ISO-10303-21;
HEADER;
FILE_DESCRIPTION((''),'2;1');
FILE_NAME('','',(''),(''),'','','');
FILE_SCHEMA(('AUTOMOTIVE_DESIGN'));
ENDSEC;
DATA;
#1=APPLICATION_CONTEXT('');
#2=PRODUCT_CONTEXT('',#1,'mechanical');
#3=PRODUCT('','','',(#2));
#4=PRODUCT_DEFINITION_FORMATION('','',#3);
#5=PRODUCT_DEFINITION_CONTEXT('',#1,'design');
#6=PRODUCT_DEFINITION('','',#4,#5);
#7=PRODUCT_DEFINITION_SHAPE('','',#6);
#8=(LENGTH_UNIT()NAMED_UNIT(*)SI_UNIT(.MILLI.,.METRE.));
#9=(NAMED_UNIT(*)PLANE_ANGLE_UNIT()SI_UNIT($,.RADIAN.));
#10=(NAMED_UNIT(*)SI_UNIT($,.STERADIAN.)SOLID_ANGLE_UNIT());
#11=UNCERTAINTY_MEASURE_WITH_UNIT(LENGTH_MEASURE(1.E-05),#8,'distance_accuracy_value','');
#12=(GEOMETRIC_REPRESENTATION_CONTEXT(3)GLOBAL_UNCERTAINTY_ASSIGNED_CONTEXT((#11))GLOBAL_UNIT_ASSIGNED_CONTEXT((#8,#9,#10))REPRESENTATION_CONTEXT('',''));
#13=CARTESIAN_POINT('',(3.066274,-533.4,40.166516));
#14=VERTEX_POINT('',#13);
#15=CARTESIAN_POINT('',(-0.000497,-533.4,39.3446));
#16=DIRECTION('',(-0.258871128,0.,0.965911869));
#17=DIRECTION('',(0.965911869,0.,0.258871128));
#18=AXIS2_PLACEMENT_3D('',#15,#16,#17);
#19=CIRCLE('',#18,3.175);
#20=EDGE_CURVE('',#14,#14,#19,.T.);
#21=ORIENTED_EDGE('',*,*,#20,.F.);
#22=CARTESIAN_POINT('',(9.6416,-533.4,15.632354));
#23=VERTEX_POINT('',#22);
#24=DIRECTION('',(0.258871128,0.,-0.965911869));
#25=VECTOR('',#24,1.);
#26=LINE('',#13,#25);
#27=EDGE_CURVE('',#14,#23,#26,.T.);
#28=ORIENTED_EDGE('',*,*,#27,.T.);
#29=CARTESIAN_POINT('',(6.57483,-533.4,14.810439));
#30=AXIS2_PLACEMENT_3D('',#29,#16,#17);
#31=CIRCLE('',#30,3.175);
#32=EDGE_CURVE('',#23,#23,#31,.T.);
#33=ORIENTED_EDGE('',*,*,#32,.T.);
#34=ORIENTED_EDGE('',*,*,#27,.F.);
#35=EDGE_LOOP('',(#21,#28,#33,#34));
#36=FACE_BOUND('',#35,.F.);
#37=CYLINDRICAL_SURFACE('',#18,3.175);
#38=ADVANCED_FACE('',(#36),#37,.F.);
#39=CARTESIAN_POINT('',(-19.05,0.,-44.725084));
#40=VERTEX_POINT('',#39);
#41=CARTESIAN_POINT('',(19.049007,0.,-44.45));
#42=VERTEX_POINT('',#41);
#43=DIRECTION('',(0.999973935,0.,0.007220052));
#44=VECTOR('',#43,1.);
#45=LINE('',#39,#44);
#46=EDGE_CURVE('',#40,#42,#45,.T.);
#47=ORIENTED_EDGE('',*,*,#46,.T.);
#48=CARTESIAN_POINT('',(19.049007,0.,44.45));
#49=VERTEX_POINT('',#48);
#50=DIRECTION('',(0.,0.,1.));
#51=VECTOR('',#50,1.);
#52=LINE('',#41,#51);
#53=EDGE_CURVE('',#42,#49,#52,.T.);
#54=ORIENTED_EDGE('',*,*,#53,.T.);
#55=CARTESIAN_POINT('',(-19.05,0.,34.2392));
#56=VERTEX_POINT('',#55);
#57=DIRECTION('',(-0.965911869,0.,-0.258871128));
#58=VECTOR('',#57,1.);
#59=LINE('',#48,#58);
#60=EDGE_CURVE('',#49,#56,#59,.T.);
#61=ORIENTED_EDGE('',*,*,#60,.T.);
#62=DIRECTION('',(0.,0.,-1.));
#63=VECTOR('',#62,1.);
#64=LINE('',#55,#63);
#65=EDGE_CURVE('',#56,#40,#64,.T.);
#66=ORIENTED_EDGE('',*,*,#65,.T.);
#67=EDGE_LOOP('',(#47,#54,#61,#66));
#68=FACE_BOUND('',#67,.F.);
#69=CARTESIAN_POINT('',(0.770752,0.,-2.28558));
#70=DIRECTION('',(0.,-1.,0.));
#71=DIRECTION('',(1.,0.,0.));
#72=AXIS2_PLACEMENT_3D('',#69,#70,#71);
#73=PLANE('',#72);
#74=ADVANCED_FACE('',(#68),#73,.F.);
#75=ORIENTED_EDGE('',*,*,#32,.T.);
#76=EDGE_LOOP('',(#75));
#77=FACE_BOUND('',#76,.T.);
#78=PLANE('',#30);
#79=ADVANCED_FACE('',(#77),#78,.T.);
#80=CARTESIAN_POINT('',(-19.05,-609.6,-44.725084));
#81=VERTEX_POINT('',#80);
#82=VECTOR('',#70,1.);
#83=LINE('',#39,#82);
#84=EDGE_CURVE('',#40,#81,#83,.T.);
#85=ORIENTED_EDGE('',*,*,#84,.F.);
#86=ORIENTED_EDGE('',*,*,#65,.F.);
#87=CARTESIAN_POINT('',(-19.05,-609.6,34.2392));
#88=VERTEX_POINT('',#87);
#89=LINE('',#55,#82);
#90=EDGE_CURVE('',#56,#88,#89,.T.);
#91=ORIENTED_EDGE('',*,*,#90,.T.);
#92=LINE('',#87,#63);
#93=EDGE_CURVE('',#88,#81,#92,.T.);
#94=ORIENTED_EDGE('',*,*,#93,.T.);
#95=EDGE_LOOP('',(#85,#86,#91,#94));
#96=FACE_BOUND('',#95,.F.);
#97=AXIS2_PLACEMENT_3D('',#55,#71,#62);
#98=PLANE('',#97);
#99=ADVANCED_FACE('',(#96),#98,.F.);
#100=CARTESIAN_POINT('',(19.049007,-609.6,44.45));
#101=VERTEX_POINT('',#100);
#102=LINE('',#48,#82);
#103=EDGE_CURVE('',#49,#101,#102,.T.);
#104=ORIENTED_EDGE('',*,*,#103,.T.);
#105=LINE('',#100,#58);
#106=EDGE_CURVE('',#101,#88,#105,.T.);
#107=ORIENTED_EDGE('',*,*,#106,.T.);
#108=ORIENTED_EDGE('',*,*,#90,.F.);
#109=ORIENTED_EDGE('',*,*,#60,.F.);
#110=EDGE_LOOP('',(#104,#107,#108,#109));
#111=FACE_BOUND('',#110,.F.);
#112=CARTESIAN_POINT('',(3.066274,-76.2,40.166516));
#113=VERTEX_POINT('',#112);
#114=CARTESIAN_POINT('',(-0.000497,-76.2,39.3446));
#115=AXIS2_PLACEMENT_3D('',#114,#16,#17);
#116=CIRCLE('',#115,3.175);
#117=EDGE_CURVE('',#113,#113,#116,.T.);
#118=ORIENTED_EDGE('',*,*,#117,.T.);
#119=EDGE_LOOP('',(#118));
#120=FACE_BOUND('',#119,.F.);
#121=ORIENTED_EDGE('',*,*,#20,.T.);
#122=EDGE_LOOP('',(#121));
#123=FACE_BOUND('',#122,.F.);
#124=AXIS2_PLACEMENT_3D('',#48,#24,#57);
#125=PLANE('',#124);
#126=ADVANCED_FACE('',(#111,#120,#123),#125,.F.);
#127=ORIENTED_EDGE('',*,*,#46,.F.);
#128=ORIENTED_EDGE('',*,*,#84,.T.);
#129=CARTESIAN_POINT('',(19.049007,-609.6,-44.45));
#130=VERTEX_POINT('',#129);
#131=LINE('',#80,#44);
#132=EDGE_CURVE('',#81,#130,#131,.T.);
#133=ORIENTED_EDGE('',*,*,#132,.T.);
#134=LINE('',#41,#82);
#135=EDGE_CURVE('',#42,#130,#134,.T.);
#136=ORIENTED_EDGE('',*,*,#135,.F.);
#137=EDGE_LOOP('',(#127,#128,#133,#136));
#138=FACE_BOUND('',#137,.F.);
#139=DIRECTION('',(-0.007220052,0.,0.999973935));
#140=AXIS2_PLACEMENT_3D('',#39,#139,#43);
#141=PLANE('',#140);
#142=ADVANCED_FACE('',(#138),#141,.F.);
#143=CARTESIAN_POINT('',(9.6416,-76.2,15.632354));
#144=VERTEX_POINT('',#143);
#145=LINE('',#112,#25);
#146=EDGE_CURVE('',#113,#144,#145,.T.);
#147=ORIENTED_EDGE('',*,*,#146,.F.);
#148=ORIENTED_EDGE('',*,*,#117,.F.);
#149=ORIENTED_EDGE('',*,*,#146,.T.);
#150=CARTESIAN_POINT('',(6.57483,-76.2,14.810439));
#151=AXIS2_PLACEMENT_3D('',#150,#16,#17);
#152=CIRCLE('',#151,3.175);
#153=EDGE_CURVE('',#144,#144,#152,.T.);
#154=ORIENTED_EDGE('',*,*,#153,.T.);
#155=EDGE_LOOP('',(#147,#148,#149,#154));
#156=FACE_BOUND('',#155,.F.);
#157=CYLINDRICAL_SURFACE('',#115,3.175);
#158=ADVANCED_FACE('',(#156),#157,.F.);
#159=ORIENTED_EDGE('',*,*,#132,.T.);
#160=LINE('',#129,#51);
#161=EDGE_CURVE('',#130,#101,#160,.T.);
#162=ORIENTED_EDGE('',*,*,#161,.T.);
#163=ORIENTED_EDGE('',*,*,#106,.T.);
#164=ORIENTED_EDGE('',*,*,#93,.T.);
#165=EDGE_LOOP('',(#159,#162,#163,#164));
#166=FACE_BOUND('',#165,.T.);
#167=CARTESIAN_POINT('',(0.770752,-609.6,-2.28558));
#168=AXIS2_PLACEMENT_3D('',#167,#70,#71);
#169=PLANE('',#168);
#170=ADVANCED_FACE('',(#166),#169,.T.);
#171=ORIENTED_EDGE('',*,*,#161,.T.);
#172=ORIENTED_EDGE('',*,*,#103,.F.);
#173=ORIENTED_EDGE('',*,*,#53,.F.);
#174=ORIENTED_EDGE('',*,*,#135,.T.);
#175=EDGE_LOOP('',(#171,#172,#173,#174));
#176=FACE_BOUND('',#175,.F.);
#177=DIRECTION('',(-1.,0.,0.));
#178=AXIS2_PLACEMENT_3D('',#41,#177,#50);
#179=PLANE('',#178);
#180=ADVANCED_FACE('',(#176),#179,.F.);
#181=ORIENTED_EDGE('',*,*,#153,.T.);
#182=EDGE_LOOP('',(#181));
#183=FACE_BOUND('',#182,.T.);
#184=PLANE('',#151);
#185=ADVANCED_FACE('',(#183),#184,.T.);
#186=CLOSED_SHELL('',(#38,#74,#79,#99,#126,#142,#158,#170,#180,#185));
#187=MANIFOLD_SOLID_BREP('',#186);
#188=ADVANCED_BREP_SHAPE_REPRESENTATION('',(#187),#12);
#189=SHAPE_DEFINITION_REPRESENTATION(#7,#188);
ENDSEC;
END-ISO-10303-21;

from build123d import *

# Parameters (mm, degrees)
F1_DEPTH = 609.6
F3_R     = 3.175
F4_DEPTH = 25.4


with BuildPart() as f1:
    # F0 (on Front) → F1 (new body)
    with BuildSketch(Plane.XZ):
        Polygon((-19.05, -44.7250839726), (19.0490069268, -44.45), (19.0490069268, 44.45), (-19.05, 34.2392), align=None)
    extrude(amount=F1_DEPTH)

    # F3 (on face) → F4 (cut)
    with BuildSketch(Plane(origin=(-9.8380204896, 0, 36.7080748598), x_dir=(0.9659118691, 0, 0.2588711284), z_dir=(-0.2588711284, 0, 0.9659118691))):
        with Locations((10.1847013869, -76.2)):
            Circle(F3_R)
        with Locations((10.1847013869, -533.4)):
            Circle(F3_R)
    extrude(amount=-F4_DEPTH, mode=Mode.SUBTRACT)


solid = f1.part
